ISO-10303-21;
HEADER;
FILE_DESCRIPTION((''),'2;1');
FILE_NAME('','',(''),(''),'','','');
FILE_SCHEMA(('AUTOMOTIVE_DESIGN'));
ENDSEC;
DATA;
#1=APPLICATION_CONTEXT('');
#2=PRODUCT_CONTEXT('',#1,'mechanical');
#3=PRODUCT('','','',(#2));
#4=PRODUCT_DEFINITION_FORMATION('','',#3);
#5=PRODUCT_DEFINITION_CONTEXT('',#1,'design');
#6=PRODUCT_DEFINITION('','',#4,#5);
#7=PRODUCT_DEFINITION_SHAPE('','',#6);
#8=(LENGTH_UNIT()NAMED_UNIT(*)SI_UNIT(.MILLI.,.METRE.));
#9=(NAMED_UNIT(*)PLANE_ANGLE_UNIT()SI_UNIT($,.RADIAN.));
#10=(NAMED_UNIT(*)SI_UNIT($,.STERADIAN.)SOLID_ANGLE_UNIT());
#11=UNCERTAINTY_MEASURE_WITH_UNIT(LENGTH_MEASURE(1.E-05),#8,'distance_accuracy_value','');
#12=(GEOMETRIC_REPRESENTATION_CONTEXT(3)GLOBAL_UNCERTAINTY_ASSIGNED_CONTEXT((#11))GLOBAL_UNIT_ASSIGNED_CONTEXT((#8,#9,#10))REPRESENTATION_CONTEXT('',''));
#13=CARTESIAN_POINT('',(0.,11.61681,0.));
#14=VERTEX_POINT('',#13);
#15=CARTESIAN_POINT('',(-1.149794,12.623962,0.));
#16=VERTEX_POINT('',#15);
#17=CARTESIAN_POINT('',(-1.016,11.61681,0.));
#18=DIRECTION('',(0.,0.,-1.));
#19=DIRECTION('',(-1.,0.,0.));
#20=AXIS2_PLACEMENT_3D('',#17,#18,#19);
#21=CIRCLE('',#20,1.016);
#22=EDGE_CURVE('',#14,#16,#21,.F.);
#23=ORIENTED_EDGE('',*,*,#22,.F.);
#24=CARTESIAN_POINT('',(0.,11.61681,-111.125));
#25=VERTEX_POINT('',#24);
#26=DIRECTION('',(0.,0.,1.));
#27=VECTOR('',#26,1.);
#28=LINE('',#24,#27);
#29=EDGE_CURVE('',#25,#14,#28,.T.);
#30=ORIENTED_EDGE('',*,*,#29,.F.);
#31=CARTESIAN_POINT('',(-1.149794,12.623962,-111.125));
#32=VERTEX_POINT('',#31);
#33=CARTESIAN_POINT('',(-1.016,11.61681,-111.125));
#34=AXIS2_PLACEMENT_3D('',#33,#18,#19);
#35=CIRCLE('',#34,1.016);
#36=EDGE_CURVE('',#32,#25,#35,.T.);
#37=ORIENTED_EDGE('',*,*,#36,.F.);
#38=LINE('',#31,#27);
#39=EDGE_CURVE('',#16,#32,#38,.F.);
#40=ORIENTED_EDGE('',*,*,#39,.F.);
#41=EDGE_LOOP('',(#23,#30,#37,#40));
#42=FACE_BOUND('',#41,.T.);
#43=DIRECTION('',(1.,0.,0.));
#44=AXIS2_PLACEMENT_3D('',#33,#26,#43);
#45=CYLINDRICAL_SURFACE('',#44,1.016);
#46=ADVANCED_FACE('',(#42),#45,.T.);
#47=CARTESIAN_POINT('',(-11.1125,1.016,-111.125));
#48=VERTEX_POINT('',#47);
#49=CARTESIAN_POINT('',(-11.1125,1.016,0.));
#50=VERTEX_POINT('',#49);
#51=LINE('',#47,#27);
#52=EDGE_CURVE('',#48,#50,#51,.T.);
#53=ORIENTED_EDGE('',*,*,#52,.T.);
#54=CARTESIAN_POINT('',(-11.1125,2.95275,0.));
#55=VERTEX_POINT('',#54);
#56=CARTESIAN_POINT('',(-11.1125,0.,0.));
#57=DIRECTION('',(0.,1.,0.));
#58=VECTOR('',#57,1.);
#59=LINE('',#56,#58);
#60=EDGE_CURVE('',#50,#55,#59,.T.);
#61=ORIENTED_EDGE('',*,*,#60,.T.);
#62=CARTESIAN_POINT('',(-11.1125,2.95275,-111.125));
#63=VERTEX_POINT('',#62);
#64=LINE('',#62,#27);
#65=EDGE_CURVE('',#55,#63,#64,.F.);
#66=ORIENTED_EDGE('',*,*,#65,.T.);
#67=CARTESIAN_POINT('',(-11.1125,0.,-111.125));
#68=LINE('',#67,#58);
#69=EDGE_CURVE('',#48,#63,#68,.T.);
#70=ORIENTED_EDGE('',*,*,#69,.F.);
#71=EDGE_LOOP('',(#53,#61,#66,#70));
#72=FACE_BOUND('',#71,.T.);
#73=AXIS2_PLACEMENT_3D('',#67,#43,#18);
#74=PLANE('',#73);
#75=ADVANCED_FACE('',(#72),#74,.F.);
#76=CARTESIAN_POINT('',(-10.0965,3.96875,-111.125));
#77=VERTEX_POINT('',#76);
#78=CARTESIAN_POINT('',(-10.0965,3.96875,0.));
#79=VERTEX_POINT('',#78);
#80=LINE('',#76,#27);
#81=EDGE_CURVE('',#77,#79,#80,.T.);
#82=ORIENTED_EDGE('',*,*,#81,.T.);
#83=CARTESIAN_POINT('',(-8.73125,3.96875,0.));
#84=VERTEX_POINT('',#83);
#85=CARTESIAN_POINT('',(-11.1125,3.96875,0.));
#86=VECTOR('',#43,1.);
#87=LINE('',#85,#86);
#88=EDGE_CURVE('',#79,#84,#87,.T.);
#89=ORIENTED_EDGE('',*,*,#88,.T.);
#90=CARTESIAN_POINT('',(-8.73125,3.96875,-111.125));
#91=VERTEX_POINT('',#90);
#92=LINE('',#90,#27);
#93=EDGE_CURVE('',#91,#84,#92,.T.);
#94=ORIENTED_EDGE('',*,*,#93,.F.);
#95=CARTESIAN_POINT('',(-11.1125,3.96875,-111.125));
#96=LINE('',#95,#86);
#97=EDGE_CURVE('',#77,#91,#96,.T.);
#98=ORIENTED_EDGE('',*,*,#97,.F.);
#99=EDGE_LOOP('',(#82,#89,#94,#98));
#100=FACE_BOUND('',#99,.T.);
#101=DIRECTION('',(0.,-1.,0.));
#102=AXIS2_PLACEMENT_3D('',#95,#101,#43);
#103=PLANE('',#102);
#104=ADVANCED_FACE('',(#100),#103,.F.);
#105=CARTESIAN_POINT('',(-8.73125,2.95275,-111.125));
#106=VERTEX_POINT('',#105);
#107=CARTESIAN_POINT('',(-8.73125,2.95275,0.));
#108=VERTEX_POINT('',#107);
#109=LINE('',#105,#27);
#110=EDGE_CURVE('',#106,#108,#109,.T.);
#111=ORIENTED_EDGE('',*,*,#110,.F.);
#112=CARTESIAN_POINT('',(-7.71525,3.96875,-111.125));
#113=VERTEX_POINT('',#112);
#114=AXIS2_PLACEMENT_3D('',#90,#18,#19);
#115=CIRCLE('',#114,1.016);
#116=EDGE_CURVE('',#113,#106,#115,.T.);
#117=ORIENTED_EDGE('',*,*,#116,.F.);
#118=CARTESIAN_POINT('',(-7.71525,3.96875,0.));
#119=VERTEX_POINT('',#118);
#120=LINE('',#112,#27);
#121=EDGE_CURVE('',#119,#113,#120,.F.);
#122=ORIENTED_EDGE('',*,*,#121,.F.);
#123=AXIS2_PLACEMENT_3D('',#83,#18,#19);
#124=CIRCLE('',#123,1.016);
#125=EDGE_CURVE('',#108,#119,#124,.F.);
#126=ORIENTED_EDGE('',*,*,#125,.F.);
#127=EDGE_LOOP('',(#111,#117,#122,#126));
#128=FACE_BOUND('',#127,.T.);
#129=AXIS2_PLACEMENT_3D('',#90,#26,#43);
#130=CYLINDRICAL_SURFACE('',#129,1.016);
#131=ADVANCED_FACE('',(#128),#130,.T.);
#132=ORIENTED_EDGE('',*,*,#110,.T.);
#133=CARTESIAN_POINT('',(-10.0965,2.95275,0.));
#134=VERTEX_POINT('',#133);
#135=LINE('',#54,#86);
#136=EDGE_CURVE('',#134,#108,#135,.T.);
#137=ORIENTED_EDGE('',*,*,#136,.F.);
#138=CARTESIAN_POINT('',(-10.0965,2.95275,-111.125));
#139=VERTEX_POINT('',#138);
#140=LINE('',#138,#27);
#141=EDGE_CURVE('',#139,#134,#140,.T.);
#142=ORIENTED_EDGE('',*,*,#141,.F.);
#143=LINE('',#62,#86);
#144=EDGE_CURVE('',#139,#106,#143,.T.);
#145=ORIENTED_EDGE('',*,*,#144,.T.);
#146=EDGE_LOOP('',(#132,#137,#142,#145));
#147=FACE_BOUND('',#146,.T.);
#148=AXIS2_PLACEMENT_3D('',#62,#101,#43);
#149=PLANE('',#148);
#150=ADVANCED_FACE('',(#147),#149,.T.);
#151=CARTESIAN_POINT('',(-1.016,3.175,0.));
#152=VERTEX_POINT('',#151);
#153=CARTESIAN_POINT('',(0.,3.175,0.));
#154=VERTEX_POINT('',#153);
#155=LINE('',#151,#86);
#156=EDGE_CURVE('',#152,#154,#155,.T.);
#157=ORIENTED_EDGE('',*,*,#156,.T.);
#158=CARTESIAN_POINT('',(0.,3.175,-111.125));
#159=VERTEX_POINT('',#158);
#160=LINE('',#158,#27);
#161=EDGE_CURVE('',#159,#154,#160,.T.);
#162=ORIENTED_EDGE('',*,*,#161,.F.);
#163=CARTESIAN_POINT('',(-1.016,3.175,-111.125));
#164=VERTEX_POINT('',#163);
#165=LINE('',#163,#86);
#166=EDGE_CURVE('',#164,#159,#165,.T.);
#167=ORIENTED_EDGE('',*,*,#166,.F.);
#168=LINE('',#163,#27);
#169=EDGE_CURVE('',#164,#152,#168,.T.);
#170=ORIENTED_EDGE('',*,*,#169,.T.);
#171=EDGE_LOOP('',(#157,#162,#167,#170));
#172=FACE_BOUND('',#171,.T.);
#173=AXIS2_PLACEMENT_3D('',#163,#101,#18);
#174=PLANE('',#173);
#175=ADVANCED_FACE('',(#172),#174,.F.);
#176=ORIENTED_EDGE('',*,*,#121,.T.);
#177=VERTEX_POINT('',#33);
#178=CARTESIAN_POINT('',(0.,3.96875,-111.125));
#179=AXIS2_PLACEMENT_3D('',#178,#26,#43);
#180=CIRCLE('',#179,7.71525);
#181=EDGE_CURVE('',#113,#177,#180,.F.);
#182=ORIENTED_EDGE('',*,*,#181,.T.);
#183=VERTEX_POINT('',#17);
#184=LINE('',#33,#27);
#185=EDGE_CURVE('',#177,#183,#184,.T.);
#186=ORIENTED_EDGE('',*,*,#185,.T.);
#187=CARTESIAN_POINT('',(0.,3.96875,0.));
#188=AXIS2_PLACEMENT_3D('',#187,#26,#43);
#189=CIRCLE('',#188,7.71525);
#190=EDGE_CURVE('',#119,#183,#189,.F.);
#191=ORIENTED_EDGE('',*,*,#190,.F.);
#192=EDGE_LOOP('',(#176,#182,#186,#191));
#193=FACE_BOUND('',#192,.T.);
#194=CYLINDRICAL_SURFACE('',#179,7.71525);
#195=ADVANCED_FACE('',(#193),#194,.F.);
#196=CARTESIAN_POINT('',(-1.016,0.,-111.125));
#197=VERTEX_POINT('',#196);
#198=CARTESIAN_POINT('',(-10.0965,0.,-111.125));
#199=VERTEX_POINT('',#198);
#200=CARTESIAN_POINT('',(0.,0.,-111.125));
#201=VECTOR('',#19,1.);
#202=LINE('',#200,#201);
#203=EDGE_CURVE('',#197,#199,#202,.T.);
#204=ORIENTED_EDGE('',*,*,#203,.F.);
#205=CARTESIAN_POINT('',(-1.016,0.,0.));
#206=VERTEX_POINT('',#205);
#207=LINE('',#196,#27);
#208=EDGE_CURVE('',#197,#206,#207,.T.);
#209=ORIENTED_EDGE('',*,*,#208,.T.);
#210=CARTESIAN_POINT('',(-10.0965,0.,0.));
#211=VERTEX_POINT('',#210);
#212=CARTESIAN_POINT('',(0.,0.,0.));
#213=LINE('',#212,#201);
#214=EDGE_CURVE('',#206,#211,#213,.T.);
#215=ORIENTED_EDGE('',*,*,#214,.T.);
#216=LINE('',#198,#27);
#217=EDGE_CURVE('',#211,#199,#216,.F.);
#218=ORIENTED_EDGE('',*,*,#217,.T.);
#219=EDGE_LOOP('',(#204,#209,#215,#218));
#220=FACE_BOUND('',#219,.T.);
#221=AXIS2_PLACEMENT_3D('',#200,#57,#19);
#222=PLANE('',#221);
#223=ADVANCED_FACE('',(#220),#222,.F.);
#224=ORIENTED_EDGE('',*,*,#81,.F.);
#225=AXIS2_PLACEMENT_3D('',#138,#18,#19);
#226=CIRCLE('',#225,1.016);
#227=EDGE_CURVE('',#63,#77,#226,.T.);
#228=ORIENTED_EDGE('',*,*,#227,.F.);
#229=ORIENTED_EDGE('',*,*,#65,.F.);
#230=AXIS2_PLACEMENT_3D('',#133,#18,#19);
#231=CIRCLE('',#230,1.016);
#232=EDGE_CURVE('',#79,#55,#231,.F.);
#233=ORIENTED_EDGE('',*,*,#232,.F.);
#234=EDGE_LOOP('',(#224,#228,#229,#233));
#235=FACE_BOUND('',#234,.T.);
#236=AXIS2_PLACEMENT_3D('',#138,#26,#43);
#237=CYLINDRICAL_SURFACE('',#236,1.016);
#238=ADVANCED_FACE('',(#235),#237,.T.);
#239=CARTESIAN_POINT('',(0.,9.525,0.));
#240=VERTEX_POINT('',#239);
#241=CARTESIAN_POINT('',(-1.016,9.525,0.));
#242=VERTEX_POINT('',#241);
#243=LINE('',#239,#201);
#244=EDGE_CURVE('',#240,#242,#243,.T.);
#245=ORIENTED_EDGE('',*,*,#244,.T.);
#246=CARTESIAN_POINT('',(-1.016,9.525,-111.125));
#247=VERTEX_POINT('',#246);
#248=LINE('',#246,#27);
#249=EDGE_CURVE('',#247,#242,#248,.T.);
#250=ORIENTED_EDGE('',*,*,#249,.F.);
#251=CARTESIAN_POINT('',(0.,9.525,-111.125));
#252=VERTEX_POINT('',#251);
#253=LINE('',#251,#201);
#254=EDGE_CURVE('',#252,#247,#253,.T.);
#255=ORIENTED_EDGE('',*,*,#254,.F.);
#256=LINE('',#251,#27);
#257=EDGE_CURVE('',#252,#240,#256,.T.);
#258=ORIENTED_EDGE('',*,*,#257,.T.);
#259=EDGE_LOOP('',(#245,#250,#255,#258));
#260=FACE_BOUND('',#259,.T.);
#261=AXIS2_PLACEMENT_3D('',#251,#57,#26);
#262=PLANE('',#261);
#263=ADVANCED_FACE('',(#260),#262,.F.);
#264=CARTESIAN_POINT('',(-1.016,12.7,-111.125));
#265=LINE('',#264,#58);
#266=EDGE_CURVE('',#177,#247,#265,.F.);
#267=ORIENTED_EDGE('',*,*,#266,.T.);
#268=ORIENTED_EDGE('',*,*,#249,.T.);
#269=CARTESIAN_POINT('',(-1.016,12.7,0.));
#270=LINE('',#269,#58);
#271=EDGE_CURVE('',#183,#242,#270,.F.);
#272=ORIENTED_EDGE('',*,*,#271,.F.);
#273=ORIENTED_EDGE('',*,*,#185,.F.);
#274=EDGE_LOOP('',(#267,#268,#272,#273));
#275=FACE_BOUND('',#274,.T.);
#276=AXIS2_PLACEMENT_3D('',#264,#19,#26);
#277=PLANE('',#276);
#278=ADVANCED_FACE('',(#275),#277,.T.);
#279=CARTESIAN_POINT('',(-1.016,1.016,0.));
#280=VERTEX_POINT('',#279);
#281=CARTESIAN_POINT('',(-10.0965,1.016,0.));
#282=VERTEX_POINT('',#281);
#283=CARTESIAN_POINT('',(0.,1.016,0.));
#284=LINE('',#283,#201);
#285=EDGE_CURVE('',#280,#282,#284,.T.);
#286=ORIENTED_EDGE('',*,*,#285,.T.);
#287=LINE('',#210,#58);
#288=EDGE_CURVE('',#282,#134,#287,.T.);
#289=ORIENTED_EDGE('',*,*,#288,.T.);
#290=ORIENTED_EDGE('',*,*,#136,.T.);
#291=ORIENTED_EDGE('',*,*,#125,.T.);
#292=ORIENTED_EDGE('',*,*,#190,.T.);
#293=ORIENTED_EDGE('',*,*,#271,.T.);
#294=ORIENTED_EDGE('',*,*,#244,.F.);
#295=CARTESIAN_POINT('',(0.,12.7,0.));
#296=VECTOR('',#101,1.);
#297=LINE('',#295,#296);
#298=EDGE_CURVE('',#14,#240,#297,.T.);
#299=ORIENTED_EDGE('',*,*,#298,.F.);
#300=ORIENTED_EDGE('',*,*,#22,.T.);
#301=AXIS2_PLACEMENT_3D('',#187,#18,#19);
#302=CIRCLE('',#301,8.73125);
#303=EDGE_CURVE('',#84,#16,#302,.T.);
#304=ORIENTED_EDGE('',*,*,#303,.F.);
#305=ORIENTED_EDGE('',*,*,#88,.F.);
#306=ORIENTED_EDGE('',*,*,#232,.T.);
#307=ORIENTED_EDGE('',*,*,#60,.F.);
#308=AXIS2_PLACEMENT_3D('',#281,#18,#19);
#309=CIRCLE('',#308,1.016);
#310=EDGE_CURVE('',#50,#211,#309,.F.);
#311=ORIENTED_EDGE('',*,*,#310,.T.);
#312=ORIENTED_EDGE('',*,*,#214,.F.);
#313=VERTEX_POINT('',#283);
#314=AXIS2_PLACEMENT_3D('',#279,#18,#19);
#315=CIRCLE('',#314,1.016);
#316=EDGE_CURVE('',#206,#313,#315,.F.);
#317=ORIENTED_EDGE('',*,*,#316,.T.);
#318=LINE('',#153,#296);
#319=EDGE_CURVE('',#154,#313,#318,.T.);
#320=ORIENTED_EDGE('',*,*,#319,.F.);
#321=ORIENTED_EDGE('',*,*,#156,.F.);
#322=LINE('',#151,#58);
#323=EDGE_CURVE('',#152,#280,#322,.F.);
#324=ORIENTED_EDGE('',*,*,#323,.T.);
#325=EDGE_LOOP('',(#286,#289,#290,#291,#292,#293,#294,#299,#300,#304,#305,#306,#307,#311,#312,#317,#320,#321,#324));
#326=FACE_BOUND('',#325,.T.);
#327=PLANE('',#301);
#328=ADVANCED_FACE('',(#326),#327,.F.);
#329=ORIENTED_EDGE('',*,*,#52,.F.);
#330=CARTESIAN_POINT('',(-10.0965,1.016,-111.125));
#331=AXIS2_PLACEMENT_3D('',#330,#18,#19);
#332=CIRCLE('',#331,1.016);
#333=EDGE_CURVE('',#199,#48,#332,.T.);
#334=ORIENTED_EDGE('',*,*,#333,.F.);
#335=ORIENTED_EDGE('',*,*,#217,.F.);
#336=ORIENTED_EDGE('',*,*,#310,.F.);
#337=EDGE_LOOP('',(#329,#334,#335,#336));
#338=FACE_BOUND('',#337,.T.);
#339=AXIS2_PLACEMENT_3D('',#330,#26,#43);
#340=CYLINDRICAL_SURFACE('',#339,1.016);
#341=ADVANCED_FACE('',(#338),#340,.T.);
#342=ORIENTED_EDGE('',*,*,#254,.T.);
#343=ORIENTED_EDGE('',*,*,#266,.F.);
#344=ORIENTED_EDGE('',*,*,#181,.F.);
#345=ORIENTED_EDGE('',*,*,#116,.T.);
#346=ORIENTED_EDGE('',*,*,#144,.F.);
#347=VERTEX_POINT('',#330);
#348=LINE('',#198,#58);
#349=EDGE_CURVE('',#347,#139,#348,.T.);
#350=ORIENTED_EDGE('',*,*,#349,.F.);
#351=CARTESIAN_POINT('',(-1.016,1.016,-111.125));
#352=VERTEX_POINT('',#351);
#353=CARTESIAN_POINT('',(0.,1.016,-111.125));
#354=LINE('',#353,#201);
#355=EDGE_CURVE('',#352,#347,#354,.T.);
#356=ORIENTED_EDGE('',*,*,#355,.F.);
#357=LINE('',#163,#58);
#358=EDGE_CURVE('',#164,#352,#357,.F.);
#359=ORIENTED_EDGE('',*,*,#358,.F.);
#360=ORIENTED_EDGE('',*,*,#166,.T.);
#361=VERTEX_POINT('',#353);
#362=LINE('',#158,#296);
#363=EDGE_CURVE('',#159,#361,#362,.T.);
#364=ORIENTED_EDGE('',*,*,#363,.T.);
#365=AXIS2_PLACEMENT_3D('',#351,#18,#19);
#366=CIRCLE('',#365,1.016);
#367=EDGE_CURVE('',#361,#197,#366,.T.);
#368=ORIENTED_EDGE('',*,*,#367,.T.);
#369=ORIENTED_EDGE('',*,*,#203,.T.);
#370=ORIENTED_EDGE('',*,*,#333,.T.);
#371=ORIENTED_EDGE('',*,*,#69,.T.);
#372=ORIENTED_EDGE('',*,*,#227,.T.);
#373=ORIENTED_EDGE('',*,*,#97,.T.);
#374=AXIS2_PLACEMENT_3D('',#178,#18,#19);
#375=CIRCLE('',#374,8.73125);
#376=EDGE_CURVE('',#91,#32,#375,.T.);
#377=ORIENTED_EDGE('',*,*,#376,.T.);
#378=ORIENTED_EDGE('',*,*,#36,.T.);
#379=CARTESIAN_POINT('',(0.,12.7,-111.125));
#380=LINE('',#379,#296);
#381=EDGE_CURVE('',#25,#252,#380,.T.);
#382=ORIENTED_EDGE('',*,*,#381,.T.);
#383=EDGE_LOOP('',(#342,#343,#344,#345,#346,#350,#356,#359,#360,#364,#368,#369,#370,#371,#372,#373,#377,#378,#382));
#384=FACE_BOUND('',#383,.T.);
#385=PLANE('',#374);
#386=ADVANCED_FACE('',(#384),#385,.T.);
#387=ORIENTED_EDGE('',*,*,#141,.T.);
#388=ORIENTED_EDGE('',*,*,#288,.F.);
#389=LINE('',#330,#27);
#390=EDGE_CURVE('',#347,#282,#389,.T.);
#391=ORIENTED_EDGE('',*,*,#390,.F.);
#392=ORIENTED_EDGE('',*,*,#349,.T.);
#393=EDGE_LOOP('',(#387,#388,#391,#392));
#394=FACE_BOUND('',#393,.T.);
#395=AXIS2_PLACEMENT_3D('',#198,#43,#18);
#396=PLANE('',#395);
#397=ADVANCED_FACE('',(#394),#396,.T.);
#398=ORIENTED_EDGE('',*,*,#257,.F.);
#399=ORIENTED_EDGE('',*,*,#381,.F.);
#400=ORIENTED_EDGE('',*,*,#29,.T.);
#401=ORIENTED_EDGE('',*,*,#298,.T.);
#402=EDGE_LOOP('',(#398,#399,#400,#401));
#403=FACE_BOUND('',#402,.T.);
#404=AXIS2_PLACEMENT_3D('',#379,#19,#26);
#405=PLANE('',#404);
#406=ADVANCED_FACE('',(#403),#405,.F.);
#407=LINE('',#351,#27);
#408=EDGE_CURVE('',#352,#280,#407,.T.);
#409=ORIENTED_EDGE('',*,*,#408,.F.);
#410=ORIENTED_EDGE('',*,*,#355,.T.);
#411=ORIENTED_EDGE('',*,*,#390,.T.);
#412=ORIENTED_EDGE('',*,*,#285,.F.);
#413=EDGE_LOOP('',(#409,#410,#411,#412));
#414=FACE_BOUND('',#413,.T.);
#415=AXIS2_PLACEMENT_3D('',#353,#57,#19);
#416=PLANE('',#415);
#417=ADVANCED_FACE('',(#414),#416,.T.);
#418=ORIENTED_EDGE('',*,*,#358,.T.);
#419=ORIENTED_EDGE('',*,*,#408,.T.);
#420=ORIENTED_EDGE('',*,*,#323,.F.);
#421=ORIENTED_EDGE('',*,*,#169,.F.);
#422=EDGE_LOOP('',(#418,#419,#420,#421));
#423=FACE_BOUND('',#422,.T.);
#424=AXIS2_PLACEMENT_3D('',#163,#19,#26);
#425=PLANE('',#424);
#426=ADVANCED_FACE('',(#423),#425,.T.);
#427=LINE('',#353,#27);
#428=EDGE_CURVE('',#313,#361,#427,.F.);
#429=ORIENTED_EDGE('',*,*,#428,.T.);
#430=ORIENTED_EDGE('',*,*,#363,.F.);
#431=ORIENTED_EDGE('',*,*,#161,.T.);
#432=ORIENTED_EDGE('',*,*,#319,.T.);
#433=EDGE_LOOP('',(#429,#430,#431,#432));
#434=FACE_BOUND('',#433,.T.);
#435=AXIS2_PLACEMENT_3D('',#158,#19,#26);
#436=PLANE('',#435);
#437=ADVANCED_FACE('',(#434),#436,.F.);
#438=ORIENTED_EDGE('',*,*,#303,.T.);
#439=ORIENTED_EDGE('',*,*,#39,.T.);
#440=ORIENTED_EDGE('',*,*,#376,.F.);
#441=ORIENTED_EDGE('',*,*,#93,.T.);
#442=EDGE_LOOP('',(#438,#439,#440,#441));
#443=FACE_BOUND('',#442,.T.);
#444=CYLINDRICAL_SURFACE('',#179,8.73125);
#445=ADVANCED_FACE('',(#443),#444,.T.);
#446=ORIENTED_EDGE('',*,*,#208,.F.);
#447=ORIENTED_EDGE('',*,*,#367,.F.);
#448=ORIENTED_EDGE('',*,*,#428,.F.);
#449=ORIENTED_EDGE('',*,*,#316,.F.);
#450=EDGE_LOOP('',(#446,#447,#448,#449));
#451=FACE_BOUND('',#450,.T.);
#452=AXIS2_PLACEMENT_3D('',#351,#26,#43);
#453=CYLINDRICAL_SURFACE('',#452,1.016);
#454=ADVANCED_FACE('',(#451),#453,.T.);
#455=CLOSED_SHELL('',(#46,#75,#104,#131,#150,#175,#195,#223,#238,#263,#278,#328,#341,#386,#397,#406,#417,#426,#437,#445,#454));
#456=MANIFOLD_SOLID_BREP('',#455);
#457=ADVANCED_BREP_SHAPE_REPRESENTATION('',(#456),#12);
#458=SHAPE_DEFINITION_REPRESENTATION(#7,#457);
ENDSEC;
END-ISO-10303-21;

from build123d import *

# Parameters (mm, degrees)
EXTRUDE_THIN1_DEPTH = 111.125
FILLET1_R           = 1.016


with BuildPart() as part:
    # Sketch1 → Extrude-Thin1 (new body)
    with BuildSketch(Plane.XY):
        with BuildLine():
            Line((0, 3.175), (0, 0))
            Line((0, 0), (-11.1125, 0))
            Line((-11.1125, 0), (-11.1125, 3.96875))
            Line((-11.1125, 3.96875), (-8.73125, 3.96875))
            ThreePointArc((-8.73125, 3.96875), (-6.173926083, 10.142676083), (0, 12.7))
            Line((0, 12.7), (0, 9.525))
            Line((0, 9.525), (-1.016, 9.525))
            Line((-1.016, 9.525), (-1.016, 11.616810314))
            ThreePointArc((-1.016, 11.616810314), (-6.1264158, 8.658324821), (-7.648060314, 2.95275))
            Line((-7.648060314, 2.95275), (-10.0965, 2.95275))
            Line((-10.0965, 2.95275), (-10.0965, 1.016))
            Line((-10.0965, 1.016), (-1.016, 1.016))
            Line((-1.016, 1.016), (-1.016, 3.175))
            Line((-1.016, 3.175), (0, 3.175))
        make_face()
    extrude(amount=-EXTRUDE_THIN1_DEPTH)

    # Fillet1
    fillet1_edges = [part.edges().sort_by_distance(p)[0] for p in [
        (-7.648060314, 2.95275, -55.5625),
        (0, 0, -55.5625),
        (-11.1125, 0, -55.5625),
        (-11.1125, 3.96875, -55.5625),
        (0, 12.7, -55.5625),
    ]]
    fillet(fillet1_edges, radius=FILLET1_R)


solid = part.part
